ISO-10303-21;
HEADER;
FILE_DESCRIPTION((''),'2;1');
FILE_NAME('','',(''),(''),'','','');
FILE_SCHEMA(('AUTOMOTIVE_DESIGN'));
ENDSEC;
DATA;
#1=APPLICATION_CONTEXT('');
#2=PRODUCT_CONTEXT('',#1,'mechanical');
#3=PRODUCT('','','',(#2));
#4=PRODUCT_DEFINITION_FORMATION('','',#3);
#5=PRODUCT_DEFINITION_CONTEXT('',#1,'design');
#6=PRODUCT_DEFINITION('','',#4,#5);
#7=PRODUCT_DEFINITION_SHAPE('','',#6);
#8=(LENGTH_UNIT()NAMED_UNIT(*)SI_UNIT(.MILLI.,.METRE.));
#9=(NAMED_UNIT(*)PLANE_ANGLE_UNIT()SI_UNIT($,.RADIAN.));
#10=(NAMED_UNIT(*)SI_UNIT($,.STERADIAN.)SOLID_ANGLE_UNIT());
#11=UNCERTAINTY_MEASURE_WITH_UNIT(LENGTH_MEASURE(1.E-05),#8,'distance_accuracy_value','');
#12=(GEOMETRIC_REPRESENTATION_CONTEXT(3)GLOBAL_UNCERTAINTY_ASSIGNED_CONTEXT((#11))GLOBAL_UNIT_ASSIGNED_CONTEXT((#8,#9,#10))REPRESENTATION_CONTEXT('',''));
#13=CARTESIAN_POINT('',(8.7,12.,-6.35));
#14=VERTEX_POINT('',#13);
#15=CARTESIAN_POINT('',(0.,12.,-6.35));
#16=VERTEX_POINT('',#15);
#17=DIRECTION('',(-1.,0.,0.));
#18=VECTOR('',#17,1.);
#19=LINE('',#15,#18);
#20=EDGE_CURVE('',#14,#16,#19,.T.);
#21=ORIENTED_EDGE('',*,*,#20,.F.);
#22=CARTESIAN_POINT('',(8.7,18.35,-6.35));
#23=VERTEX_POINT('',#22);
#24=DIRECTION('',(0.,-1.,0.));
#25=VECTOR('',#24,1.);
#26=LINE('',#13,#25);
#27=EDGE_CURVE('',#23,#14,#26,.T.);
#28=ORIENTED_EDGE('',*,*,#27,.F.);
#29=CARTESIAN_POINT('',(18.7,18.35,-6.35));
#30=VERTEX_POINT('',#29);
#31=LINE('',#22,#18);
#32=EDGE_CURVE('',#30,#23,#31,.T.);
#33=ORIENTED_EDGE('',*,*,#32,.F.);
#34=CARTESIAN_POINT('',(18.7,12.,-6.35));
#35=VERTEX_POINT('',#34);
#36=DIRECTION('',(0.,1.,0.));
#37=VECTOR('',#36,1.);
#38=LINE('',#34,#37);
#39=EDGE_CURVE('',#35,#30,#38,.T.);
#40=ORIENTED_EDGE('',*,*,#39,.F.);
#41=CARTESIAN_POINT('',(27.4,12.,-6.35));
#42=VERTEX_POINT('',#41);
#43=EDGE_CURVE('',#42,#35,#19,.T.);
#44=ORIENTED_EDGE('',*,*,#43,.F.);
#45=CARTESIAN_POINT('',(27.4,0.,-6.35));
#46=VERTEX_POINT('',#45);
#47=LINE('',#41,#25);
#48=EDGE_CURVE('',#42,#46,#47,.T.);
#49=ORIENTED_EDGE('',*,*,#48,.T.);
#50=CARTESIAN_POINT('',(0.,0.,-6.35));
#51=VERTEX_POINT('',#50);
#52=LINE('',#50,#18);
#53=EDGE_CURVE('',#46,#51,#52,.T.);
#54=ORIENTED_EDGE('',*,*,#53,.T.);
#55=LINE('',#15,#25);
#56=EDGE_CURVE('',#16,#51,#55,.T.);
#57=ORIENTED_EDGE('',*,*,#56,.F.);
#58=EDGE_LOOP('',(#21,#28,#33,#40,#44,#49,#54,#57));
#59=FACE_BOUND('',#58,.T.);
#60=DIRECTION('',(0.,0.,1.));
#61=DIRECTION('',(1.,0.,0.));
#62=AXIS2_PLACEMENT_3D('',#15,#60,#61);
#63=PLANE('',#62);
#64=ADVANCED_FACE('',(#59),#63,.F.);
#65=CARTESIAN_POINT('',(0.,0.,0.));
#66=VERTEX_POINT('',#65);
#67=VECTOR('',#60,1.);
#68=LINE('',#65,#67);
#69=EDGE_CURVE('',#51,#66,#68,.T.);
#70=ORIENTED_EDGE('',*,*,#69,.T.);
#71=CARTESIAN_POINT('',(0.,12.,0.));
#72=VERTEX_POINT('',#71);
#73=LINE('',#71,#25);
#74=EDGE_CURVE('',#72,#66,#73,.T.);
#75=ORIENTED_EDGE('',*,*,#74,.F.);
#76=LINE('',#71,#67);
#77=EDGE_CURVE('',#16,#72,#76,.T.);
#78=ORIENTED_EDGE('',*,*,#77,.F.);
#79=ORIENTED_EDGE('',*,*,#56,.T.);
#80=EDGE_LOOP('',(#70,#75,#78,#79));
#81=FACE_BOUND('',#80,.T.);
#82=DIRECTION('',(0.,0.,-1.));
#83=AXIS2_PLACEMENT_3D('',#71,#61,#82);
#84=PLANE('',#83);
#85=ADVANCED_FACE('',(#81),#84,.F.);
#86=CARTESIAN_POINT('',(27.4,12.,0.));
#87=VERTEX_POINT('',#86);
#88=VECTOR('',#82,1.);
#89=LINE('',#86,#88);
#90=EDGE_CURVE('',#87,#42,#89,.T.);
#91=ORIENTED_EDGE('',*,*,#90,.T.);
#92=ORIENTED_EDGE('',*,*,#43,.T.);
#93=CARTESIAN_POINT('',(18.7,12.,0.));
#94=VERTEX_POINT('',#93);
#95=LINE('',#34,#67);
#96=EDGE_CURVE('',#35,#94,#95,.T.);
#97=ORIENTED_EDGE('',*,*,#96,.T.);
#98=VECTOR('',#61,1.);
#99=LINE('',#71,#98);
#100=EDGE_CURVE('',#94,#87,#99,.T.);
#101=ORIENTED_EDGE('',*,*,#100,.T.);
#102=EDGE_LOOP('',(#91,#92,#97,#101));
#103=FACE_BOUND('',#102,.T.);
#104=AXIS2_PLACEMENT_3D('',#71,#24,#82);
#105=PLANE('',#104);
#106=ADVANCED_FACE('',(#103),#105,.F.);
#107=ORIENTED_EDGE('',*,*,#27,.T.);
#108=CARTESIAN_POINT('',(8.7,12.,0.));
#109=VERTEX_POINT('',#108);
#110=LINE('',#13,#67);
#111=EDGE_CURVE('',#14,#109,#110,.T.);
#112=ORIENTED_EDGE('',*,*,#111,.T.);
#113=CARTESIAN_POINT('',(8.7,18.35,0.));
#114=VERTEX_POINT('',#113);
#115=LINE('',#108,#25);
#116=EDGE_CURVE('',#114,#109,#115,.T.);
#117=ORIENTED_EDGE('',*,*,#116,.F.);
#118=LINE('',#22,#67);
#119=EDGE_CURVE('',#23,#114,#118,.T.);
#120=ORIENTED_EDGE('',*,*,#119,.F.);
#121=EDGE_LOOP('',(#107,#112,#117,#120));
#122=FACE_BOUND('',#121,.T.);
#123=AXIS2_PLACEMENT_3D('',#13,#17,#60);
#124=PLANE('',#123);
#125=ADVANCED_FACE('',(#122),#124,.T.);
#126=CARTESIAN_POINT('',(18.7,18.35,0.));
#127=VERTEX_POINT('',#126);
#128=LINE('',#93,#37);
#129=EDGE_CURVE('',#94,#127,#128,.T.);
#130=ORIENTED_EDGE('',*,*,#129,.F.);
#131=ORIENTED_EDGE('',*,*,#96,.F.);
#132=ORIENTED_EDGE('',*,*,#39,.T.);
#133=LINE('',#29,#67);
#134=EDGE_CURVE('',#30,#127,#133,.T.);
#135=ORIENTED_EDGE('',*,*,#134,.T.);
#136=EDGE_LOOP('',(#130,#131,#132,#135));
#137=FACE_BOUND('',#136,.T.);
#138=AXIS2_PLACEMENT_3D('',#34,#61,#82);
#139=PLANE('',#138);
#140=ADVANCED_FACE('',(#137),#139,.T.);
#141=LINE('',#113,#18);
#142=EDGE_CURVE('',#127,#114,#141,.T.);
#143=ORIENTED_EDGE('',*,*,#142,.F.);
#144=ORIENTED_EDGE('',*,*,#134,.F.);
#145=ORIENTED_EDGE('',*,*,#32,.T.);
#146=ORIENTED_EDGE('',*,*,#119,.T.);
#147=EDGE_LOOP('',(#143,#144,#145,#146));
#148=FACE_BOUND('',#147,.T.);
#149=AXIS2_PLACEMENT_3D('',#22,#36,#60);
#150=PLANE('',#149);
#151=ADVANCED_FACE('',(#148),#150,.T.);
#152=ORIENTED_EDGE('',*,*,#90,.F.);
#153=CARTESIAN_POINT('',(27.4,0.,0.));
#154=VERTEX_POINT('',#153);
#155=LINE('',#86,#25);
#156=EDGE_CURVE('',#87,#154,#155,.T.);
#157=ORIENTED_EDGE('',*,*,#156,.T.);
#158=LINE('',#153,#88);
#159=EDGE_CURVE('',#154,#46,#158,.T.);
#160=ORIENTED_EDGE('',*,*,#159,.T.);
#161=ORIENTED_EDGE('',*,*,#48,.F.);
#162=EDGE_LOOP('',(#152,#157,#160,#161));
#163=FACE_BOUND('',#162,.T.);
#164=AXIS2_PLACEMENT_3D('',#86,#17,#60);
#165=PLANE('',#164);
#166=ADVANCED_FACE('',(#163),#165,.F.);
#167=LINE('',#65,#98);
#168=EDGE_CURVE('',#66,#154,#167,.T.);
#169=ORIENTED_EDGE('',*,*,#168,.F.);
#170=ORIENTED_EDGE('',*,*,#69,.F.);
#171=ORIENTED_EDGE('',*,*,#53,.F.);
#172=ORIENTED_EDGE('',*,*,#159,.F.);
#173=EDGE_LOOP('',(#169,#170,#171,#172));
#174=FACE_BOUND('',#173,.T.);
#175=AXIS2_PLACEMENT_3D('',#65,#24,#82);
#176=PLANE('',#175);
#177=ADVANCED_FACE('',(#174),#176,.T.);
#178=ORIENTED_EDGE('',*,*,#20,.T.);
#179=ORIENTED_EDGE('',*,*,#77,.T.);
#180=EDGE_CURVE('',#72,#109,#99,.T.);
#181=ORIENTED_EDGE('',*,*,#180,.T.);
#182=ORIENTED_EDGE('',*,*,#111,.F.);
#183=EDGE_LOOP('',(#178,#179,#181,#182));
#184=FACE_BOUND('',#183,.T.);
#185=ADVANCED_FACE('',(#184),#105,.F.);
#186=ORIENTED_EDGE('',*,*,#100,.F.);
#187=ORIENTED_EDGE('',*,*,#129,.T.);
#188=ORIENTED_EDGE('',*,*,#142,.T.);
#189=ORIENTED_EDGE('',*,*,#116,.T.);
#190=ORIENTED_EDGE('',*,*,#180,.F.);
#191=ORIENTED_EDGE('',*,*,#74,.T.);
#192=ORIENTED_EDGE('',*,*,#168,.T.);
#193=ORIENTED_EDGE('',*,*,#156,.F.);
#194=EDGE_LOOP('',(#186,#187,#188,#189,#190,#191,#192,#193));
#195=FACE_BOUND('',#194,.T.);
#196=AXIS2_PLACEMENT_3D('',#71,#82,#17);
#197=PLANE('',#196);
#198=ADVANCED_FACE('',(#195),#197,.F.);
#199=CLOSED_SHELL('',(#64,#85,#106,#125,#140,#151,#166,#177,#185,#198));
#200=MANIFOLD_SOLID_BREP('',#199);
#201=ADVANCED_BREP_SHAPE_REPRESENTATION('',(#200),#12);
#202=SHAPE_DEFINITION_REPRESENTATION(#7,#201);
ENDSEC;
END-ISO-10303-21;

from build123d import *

# Parameters (mm, degrees)
SKETCH1_W           = 27.4
SKETCH1_H           = 6.35
BOSS_EXTRUDE1_DEPTH = 12
SKETCH2_W           = 10
SKETCH2_H           = 6.35
BOSS_EXTRUDE2_DEPTH = 6.35


with BuildPart() as part:
    # Sketch1 → Boss-Extrude1 (new body)
    with BuildSketch(Plane(origin=(0, 0, 0), x_dir=(1, 0, 0), z_dir=(0, 1, 0))):
        with Locations((13.7, 3.175)):
            Rectangle(SKETCH1_W, SKETCH1_H)
    extrude(amount=BOSS_EXTRUDE1_DEPTH)

    # Sketch2 → Boss-Extrude2 (add)
    with BuildSketch(Plane.XY):
        with Locations((13.7, 15.175)):
            Rectangle(SKETCH2_W, SKETCH2_H)
    extrude(amount=-BOSS_EXTRUDE2_DEPTH)


solid = part.part
